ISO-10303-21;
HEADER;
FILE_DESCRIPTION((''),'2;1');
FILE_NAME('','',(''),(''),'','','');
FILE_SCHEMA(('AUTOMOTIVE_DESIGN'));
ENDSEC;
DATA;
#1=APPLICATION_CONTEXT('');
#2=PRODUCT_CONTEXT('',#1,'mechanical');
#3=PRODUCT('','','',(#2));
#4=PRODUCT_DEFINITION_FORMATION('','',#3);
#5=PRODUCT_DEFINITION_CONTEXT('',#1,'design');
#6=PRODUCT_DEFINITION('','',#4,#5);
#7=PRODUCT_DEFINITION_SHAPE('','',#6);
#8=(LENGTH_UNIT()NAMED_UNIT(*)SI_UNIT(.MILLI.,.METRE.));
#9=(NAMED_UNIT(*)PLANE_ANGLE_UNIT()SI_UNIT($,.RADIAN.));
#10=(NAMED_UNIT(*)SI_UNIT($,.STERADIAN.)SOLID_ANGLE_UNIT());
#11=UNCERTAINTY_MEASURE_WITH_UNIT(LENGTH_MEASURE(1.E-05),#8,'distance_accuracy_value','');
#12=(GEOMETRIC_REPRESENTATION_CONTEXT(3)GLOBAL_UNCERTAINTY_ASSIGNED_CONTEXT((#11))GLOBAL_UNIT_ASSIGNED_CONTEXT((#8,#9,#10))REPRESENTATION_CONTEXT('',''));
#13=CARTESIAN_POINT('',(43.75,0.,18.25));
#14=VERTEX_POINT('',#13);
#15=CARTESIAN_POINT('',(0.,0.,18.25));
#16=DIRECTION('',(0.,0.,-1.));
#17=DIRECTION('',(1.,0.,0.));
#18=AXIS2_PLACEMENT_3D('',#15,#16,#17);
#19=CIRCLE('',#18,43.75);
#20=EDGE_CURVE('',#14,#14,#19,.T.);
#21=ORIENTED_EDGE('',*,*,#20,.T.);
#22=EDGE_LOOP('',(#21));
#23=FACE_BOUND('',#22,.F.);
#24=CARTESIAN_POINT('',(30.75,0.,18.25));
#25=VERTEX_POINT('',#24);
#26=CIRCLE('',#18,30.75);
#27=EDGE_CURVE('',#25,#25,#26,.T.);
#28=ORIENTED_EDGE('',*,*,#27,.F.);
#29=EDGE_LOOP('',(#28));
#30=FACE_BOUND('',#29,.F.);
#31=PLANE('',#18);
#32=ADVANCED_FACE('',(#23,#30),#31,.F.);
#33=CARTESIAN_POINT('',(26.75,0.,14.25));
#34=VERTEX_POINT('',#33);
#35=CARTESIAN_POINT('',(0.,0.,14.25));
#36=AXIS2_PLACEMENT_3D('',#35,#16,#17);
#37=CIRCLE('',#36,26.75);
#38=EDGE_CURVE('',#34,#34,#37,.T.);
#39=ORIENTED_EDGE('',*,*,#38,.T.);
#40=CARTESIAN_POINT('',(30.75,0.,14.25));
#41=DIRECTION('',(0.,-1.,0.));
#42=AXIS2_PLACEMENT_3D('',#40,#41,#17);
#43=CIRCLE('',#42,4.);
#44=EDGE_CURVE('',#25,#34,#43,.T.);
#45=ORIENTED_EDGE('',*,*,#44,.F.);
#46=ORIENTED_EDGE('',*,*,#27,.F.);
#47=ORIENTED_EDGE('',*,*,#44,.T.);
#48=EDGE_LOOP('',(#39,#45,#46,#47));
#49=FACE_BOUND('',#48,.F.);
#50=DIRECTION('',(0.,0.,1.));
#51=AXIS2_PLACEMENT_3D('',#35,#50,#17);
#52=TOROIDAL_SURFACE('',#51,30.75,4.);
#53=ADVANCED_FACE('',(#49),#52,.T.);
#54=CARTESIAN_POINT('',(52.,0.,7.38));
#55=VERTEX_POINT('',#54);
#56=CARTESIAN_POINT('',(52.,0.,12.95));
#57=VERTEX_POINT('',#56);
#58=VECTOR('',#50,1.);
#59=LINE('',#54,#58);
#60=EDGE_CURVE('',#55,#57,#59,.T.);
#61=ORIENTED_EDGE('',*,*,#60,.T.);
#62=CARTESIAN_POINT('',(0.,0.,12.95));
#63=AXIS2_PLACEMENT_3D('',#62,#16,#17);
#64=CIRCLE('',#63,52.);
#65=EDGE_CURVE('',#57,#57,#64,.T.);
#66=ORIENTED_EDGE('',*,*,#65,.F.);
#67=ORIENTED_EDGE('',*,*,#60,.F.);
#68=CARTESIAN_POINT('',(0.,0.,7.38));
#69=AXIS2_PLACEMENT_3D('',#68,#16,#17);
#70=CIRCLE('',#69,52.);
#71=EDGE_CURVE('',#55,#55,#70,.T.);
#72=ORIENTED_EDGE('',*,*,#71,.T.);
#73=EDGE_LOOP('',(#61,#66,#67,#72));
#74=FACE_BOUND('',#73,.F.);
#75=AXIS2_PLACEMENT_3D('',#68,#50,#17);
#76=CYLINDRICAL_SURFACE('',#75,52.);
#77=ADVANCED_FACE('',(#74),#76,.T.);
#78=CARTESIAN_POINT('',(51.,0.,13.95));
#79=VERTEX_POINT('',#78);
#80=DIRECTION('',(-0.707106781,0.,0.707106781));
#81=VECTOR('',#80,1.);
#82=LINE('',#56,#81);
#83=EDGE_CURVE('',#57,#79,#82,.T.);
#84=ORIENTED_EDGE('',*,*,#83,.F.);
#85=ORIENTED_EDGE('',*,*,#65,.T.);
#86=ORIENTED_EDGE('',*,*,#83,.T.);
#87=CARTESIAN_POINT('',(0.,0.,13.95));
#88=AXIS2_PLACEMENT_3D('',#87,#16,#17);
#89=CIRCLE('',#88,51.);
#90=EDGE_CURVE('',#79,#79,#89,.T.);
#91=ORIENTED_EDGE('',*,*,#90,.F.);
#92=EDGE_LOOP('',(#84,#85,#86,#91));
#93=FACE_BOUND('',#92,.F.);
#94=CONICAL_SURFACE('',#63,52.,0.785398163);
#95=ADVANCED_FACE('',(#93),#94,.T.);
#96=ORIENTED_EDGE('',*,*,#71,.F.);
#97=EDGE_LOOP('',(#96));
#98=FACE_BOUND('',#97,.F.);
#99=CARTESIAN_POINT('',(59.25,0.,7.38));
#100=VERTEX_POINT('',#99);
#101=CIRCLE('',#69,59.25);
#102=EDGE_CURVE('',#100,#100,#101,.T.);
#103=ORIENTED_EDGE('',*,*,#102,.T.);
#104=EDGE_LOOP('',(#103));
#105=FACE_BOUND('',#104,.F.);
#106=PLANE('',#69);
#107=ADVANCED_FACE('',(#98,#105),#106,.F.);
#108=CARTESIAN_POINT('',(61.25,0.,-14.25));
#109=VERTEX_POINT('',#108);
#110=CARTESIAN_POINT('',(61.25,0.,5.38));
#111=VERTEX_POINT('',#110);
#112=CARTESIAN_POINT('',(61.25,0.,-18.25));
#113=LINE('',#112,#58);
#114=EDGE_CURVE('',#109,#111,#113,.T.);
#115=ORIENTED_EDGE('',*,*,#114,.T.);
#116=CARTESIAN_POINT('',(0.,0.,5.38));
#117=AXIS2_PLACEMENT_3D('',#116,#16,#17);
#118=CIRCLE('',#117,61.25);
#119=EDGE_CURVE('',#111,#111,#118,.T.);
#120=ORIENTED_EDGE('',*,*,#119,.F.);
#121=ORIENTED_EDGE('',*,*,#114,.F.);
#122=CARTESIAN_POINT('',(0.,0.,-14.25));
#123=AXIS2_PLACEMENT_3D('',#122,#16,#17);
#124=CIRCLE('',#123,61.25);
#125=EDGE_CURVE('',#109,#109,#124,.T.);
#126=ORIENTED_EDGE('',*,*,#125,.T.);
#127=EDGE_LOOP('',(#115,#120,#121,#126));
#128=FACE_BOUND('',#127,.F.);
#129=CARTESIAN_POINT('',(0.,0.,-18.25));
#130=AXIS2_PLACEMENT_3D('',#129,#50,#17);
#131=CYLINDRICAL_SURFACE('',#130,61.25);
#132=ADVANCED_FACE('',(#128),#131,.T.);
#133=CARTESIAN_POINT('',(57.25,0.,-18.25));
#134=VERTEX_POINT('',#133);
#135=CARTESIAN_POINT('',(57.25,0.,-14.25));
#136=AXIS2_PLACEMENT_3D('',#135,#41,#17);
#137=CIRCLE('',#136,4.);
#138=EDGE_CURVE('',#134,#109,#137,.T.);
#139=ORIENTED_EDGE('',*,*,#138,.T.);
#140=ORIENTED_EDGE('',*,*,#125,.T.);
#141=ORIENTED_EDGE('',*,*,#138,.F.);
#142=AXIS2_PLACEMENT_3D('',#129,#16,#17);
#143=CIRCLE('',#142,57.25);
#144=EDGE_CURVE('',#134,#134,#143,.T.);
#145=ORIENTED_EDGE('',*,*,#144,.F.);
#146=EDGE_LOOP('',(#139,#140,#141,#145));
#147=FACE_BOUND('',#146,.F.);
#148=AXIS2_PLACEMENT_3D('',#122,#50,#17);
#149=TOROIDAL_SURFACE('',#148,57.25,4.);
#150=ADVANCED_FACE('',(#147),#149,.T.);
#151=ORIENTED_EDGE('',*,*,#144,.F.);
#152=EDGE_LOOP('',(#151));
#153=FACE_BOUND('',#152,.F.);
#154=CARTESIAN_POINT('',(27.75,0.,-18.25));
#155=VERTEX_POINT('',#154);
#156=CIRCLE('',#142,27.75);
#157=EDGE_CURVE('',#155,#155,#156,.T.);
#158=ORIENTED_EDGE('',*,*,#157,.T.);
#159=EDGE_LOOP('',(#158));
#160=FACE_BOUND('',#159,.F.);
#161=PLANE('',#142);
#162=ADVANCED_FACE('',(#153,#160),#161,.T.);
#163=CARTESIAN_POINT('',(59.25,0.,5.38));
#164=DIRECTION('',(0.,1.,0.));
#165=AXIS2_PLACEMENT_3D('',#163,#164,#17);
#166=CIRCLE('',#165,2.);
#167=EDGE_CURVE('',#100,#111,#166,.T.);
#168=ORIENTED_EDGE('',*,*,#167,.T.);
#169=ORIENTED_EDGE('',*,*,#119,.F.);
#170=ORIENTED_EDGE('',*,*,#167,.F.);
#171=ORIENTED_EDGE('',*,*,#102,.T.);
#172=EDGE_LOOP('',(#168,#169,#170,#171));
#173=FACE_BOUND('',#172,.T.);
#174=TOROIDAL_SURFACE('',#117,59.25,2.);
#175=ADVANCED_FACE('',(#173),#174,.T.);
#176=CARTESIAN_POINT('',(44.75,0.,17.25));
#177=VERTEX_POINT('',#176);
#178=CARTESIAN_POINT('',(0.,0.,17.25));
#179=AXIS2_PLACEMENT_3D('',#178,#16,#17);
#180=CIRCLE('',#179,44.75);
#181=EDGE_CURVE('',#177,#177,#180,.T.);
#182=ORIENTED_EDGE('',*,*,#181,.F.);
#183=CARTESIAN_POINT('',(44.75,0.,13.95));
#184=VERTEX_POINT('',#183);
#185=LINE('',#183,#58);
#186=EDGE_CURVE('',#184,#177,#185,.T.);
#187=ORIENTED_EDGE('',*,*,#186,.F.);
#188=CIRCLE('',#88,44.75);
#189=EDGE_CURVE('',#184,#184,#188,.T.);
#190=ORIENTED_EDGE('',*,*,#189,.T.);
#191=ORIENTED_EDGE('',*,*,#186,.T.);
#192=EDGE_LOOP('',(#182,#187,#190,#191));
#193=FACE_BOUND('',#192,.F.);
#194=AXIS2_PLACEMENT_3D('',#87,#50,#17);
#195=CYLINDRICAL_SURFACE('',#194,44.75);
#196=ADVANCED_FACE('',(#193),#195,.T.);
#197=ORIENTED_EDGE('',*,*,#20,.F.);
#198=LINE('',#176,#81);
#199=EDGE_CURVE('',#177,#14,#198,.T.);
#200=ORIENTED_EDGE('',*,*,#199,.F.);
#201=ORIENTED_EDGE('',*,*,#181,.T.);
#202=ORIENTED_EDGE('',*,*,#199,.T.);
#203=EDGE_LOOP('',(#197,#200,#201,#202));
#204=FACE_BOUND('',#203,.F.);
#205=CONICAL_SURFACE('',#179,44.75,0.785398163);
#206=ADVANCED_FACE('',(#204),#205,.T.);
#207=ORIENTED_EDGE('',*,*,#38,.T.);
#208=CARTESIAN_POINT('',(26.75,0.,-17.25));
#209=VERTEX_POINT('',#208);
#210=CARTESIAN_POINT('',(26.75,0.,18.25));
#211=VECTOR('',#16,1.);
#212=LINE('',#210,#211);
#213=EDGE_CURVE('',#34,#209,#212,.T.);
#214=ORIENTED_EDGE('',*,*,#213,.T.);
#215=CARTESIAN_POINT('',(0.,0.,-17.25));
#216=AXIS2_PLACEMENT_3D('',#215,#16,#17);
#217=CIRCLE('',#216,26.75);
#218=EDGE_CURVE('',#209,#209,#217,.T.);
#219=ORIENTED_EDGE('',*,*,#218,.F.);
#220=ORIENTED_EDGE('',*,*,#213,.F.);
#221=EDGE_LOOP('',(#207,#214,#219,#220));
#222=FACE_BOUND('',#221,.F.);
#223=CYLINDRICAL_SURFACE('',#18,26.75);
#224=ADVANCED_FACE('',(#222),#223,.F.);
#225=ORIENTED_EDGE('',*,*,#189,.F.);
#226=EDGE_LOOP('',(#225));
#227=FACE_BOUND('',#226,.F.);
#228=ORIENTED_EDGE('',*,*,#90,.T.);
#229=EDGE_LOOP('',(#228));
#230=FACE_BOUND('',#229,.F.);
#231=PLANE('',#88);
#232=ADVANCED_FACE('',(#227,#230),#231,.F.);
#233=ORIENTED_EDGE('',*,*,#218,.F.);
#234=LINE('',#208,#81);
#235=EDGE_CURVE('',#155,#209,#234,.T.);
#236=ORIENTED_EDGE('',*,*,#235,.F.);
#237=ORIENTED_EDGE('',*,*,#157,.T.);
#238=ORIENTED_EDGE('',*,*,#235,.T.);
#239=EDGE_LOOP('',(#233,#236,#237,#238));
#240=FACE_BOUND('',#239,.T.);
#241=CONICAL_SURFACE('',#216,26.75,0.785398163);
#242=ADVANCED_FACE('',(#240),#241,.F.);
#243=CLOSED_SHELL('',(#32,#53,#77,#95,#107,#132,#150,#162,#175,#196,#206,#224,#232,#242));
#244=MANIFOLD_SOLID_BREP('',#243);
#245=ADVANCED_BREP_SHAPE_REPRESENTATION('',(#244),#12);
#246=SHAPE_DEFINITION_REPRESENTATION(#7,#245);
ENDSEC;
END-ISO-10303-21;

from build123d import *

# Parameters (mm, degrees)
F2_R    = 4
F3_R    = 2
F4_SIZE = 1


with BuildPart() as f1:
    # F0 (on Front) → F1 (revolve)
    with BuildSketch(Plane.XZ):
        Polygon((44.75, 18.25), (26.75, 18.25), (26.75, -18.25), (61.25, -18.25), (61.25, 7.38), (52, 7.38), (52, 13.95), (44.75, 13.95), align=None)
    revolve(axis=Axis((0, 0, -12.351525), (0, 0, -1)))

    # F2
    f2_edges = [f1.edges().sort_by_distance(p)[0] for p in [
        (-26.75, 0, 18.25),
        (-61.25, 0, -18.25),
    ]]
    fillet(f2_edges, radius=F2_R)

    # F3
    f3_edges = [f1.edges().sort_by_distance(p)[0] for p in [
        (-61.25, 0, 7.38),
    ]]
    fillet(f3_edges, radius=F3_R)

    # F4
    f4_edges = [f1.edges().sort_by_distance(p)[0] for p in [
        (-44.75, 0, 18.25),
        (-52, 0, 13.95),
        (-26.75, 0, -18.25),
    ]]
    chamfer(f4_edges, length=F4_SIZE)


solid = f1.part
